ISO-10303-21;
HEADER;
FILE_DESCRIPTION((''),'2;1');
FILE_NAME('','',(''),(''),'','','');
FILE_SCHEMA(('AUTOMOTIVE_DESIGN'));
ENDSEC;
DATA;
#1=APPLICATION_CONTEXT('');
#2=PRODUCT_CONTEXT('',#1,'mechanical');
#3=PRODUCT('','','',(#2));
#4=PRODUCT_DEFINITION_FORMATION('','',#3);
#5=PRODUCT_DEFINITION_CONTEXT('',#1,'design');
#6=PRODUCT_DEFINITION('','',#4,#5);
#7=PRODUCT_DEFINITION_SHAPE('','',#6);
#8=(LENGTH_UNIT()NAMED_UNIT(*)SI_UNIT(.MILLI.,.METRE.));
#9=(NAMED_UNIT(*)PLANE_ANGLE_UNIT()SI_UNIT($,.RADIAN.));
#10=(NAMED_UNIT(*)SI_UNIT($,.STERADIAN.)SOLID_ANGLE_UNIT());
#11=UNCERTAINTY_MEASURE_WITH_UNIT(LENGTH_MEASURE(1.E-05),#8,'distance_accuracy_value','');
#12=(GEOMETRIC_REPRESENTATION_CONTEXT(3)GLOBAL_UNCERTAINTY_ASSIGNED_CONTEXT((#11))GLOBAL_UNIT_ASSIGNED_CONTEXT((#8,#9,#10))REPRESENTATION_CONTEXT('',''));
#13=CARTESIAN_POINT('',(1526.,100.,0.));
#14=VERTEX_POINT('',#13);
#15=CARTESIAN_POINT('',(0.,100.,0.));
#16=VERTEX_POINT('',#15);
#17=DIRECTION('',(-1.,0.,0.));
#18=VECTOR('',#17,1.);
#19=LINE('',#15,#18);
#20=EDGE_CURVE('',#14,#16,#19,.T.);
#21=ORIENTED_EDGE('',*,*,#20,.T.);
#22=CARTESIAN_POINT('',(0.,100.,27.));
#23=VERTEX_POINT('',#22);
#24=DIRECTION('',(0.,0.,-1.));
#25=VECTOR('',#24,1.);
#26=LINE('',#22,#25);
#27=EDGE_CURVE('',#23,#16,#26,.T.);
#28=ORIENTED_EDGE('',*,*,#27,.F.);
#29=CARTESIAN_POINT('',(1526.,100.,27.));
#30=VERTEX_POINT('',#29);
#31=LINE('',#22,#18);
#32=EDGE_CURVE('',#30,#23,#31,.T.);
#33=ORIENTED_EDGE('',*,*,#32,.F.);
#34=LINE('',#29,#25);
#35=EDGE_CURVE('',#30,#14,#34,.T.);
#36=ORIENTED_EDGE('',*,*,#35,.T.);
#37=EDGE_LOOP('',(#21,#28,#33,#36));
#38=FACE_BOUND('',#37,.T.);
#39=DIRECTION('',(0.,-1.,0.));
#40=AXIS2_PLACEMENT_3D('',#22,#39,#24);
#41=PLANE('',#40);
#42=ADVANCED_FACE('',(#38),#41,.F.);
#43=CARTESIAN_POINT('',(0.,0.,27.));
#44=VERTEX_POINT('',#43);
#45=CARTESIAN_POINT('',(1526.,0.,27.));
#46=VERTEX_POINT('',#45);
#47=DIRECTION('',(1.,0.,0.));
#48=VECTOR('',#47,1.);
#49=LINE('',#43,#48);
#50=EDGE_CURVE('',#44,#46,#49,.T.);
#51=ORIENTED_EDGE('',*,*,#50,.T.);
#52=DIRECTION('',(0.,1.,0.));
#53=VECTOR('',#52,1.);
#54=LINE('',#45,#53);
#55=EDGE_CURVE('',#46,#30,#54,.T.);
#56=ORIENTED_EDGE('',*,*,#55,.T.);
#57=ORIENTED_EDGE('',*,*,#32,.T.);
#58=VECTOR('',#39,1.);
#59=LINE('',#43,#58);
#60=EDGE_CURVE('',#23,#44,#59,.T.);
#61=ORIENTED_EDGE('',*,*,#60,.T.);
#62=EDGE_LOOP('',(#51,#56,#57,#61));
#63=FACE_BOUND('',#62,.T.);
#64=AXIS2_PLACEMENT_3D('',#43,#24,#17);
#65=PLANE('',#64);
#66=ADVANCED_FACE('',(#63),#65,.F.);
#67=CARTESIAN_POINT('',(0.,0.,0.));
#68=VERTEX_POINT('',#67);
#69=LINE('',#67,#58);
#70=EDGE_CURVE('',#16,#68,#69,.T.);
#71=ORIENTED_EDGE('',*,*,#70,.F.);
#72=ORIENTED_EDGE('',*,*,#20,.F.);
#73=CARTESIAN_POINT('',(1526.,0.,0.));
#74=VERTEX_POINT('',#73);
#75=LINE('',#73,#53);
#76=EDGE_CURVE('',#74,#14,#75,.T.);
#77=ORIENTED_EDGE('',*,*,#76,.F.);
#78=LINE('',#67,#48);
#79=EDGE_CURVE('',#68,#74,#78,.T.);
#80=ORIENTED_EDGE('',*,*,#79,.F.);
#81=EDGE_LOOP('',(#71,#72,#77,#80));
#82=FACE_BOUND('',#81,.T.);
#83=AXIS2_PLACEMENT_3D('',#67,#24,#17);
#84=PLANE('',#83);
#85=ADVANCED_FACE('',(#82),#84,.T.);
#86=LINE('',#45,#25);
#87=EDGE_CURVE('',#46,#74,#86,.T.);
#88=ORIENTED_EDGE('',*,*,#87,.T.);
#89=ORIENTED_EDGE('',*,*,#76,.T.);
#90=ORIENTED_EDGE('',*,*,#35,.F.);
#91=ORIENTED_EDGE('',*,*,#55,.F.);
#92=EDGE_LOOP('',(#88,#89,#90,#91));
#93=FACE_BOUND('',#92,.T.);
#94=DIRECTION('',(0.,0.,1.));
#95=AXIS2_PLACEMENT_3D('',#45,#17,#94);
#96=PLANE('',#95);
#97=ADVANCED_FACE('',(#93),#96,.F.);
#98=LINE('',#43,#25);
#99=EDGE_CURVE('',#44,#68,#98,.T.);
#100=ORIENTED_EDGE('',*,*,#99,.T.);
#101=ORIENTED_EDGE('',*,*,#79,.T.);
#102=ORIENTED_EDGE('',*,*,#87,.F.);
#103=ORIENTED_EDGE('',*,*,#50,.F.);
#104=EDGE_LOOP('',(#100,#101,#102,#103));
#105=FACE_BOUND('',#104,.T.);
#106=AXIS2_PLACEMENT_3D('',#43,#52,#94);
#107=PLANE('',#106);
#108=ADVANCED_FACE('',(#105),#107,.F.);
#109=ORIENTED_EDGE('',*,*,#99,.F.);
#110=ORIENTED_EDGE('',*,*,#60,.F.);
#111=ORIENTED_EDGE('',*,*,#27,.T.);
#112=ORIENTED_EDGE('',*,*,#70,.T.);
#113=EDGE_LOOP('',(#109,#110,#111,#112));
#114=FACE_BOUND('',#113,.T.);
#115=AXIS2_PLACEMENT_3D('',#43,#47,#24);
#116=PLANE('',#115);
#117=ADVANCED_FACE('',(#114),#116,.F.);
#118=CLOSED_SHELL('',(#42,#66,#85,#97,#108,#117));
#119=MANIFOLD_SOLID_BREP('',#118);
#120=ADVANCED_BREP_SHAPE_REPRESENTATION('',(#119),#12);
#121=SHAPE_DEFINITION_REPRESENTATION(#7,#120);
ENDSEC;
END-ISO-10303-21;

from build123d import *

# Parameters (mm, degrees)
ESQUISSE1_W        = 1526
ESQUISSE1_H        = 100
BOSS_EXTRU_1_DEPTH = 27


with BuildPart() as part:
    # Esquisse1 → Boss.-Extru.1 (new body)
    with BuildSketch(Plane.XY):
        with Locations((763, 50)):
            Rectangle(ESQUISSE1_W, ESQUISSE1_H)
    extrude(amount=BOSS_EXTRU_1_DEPTH)


solid = part.part
